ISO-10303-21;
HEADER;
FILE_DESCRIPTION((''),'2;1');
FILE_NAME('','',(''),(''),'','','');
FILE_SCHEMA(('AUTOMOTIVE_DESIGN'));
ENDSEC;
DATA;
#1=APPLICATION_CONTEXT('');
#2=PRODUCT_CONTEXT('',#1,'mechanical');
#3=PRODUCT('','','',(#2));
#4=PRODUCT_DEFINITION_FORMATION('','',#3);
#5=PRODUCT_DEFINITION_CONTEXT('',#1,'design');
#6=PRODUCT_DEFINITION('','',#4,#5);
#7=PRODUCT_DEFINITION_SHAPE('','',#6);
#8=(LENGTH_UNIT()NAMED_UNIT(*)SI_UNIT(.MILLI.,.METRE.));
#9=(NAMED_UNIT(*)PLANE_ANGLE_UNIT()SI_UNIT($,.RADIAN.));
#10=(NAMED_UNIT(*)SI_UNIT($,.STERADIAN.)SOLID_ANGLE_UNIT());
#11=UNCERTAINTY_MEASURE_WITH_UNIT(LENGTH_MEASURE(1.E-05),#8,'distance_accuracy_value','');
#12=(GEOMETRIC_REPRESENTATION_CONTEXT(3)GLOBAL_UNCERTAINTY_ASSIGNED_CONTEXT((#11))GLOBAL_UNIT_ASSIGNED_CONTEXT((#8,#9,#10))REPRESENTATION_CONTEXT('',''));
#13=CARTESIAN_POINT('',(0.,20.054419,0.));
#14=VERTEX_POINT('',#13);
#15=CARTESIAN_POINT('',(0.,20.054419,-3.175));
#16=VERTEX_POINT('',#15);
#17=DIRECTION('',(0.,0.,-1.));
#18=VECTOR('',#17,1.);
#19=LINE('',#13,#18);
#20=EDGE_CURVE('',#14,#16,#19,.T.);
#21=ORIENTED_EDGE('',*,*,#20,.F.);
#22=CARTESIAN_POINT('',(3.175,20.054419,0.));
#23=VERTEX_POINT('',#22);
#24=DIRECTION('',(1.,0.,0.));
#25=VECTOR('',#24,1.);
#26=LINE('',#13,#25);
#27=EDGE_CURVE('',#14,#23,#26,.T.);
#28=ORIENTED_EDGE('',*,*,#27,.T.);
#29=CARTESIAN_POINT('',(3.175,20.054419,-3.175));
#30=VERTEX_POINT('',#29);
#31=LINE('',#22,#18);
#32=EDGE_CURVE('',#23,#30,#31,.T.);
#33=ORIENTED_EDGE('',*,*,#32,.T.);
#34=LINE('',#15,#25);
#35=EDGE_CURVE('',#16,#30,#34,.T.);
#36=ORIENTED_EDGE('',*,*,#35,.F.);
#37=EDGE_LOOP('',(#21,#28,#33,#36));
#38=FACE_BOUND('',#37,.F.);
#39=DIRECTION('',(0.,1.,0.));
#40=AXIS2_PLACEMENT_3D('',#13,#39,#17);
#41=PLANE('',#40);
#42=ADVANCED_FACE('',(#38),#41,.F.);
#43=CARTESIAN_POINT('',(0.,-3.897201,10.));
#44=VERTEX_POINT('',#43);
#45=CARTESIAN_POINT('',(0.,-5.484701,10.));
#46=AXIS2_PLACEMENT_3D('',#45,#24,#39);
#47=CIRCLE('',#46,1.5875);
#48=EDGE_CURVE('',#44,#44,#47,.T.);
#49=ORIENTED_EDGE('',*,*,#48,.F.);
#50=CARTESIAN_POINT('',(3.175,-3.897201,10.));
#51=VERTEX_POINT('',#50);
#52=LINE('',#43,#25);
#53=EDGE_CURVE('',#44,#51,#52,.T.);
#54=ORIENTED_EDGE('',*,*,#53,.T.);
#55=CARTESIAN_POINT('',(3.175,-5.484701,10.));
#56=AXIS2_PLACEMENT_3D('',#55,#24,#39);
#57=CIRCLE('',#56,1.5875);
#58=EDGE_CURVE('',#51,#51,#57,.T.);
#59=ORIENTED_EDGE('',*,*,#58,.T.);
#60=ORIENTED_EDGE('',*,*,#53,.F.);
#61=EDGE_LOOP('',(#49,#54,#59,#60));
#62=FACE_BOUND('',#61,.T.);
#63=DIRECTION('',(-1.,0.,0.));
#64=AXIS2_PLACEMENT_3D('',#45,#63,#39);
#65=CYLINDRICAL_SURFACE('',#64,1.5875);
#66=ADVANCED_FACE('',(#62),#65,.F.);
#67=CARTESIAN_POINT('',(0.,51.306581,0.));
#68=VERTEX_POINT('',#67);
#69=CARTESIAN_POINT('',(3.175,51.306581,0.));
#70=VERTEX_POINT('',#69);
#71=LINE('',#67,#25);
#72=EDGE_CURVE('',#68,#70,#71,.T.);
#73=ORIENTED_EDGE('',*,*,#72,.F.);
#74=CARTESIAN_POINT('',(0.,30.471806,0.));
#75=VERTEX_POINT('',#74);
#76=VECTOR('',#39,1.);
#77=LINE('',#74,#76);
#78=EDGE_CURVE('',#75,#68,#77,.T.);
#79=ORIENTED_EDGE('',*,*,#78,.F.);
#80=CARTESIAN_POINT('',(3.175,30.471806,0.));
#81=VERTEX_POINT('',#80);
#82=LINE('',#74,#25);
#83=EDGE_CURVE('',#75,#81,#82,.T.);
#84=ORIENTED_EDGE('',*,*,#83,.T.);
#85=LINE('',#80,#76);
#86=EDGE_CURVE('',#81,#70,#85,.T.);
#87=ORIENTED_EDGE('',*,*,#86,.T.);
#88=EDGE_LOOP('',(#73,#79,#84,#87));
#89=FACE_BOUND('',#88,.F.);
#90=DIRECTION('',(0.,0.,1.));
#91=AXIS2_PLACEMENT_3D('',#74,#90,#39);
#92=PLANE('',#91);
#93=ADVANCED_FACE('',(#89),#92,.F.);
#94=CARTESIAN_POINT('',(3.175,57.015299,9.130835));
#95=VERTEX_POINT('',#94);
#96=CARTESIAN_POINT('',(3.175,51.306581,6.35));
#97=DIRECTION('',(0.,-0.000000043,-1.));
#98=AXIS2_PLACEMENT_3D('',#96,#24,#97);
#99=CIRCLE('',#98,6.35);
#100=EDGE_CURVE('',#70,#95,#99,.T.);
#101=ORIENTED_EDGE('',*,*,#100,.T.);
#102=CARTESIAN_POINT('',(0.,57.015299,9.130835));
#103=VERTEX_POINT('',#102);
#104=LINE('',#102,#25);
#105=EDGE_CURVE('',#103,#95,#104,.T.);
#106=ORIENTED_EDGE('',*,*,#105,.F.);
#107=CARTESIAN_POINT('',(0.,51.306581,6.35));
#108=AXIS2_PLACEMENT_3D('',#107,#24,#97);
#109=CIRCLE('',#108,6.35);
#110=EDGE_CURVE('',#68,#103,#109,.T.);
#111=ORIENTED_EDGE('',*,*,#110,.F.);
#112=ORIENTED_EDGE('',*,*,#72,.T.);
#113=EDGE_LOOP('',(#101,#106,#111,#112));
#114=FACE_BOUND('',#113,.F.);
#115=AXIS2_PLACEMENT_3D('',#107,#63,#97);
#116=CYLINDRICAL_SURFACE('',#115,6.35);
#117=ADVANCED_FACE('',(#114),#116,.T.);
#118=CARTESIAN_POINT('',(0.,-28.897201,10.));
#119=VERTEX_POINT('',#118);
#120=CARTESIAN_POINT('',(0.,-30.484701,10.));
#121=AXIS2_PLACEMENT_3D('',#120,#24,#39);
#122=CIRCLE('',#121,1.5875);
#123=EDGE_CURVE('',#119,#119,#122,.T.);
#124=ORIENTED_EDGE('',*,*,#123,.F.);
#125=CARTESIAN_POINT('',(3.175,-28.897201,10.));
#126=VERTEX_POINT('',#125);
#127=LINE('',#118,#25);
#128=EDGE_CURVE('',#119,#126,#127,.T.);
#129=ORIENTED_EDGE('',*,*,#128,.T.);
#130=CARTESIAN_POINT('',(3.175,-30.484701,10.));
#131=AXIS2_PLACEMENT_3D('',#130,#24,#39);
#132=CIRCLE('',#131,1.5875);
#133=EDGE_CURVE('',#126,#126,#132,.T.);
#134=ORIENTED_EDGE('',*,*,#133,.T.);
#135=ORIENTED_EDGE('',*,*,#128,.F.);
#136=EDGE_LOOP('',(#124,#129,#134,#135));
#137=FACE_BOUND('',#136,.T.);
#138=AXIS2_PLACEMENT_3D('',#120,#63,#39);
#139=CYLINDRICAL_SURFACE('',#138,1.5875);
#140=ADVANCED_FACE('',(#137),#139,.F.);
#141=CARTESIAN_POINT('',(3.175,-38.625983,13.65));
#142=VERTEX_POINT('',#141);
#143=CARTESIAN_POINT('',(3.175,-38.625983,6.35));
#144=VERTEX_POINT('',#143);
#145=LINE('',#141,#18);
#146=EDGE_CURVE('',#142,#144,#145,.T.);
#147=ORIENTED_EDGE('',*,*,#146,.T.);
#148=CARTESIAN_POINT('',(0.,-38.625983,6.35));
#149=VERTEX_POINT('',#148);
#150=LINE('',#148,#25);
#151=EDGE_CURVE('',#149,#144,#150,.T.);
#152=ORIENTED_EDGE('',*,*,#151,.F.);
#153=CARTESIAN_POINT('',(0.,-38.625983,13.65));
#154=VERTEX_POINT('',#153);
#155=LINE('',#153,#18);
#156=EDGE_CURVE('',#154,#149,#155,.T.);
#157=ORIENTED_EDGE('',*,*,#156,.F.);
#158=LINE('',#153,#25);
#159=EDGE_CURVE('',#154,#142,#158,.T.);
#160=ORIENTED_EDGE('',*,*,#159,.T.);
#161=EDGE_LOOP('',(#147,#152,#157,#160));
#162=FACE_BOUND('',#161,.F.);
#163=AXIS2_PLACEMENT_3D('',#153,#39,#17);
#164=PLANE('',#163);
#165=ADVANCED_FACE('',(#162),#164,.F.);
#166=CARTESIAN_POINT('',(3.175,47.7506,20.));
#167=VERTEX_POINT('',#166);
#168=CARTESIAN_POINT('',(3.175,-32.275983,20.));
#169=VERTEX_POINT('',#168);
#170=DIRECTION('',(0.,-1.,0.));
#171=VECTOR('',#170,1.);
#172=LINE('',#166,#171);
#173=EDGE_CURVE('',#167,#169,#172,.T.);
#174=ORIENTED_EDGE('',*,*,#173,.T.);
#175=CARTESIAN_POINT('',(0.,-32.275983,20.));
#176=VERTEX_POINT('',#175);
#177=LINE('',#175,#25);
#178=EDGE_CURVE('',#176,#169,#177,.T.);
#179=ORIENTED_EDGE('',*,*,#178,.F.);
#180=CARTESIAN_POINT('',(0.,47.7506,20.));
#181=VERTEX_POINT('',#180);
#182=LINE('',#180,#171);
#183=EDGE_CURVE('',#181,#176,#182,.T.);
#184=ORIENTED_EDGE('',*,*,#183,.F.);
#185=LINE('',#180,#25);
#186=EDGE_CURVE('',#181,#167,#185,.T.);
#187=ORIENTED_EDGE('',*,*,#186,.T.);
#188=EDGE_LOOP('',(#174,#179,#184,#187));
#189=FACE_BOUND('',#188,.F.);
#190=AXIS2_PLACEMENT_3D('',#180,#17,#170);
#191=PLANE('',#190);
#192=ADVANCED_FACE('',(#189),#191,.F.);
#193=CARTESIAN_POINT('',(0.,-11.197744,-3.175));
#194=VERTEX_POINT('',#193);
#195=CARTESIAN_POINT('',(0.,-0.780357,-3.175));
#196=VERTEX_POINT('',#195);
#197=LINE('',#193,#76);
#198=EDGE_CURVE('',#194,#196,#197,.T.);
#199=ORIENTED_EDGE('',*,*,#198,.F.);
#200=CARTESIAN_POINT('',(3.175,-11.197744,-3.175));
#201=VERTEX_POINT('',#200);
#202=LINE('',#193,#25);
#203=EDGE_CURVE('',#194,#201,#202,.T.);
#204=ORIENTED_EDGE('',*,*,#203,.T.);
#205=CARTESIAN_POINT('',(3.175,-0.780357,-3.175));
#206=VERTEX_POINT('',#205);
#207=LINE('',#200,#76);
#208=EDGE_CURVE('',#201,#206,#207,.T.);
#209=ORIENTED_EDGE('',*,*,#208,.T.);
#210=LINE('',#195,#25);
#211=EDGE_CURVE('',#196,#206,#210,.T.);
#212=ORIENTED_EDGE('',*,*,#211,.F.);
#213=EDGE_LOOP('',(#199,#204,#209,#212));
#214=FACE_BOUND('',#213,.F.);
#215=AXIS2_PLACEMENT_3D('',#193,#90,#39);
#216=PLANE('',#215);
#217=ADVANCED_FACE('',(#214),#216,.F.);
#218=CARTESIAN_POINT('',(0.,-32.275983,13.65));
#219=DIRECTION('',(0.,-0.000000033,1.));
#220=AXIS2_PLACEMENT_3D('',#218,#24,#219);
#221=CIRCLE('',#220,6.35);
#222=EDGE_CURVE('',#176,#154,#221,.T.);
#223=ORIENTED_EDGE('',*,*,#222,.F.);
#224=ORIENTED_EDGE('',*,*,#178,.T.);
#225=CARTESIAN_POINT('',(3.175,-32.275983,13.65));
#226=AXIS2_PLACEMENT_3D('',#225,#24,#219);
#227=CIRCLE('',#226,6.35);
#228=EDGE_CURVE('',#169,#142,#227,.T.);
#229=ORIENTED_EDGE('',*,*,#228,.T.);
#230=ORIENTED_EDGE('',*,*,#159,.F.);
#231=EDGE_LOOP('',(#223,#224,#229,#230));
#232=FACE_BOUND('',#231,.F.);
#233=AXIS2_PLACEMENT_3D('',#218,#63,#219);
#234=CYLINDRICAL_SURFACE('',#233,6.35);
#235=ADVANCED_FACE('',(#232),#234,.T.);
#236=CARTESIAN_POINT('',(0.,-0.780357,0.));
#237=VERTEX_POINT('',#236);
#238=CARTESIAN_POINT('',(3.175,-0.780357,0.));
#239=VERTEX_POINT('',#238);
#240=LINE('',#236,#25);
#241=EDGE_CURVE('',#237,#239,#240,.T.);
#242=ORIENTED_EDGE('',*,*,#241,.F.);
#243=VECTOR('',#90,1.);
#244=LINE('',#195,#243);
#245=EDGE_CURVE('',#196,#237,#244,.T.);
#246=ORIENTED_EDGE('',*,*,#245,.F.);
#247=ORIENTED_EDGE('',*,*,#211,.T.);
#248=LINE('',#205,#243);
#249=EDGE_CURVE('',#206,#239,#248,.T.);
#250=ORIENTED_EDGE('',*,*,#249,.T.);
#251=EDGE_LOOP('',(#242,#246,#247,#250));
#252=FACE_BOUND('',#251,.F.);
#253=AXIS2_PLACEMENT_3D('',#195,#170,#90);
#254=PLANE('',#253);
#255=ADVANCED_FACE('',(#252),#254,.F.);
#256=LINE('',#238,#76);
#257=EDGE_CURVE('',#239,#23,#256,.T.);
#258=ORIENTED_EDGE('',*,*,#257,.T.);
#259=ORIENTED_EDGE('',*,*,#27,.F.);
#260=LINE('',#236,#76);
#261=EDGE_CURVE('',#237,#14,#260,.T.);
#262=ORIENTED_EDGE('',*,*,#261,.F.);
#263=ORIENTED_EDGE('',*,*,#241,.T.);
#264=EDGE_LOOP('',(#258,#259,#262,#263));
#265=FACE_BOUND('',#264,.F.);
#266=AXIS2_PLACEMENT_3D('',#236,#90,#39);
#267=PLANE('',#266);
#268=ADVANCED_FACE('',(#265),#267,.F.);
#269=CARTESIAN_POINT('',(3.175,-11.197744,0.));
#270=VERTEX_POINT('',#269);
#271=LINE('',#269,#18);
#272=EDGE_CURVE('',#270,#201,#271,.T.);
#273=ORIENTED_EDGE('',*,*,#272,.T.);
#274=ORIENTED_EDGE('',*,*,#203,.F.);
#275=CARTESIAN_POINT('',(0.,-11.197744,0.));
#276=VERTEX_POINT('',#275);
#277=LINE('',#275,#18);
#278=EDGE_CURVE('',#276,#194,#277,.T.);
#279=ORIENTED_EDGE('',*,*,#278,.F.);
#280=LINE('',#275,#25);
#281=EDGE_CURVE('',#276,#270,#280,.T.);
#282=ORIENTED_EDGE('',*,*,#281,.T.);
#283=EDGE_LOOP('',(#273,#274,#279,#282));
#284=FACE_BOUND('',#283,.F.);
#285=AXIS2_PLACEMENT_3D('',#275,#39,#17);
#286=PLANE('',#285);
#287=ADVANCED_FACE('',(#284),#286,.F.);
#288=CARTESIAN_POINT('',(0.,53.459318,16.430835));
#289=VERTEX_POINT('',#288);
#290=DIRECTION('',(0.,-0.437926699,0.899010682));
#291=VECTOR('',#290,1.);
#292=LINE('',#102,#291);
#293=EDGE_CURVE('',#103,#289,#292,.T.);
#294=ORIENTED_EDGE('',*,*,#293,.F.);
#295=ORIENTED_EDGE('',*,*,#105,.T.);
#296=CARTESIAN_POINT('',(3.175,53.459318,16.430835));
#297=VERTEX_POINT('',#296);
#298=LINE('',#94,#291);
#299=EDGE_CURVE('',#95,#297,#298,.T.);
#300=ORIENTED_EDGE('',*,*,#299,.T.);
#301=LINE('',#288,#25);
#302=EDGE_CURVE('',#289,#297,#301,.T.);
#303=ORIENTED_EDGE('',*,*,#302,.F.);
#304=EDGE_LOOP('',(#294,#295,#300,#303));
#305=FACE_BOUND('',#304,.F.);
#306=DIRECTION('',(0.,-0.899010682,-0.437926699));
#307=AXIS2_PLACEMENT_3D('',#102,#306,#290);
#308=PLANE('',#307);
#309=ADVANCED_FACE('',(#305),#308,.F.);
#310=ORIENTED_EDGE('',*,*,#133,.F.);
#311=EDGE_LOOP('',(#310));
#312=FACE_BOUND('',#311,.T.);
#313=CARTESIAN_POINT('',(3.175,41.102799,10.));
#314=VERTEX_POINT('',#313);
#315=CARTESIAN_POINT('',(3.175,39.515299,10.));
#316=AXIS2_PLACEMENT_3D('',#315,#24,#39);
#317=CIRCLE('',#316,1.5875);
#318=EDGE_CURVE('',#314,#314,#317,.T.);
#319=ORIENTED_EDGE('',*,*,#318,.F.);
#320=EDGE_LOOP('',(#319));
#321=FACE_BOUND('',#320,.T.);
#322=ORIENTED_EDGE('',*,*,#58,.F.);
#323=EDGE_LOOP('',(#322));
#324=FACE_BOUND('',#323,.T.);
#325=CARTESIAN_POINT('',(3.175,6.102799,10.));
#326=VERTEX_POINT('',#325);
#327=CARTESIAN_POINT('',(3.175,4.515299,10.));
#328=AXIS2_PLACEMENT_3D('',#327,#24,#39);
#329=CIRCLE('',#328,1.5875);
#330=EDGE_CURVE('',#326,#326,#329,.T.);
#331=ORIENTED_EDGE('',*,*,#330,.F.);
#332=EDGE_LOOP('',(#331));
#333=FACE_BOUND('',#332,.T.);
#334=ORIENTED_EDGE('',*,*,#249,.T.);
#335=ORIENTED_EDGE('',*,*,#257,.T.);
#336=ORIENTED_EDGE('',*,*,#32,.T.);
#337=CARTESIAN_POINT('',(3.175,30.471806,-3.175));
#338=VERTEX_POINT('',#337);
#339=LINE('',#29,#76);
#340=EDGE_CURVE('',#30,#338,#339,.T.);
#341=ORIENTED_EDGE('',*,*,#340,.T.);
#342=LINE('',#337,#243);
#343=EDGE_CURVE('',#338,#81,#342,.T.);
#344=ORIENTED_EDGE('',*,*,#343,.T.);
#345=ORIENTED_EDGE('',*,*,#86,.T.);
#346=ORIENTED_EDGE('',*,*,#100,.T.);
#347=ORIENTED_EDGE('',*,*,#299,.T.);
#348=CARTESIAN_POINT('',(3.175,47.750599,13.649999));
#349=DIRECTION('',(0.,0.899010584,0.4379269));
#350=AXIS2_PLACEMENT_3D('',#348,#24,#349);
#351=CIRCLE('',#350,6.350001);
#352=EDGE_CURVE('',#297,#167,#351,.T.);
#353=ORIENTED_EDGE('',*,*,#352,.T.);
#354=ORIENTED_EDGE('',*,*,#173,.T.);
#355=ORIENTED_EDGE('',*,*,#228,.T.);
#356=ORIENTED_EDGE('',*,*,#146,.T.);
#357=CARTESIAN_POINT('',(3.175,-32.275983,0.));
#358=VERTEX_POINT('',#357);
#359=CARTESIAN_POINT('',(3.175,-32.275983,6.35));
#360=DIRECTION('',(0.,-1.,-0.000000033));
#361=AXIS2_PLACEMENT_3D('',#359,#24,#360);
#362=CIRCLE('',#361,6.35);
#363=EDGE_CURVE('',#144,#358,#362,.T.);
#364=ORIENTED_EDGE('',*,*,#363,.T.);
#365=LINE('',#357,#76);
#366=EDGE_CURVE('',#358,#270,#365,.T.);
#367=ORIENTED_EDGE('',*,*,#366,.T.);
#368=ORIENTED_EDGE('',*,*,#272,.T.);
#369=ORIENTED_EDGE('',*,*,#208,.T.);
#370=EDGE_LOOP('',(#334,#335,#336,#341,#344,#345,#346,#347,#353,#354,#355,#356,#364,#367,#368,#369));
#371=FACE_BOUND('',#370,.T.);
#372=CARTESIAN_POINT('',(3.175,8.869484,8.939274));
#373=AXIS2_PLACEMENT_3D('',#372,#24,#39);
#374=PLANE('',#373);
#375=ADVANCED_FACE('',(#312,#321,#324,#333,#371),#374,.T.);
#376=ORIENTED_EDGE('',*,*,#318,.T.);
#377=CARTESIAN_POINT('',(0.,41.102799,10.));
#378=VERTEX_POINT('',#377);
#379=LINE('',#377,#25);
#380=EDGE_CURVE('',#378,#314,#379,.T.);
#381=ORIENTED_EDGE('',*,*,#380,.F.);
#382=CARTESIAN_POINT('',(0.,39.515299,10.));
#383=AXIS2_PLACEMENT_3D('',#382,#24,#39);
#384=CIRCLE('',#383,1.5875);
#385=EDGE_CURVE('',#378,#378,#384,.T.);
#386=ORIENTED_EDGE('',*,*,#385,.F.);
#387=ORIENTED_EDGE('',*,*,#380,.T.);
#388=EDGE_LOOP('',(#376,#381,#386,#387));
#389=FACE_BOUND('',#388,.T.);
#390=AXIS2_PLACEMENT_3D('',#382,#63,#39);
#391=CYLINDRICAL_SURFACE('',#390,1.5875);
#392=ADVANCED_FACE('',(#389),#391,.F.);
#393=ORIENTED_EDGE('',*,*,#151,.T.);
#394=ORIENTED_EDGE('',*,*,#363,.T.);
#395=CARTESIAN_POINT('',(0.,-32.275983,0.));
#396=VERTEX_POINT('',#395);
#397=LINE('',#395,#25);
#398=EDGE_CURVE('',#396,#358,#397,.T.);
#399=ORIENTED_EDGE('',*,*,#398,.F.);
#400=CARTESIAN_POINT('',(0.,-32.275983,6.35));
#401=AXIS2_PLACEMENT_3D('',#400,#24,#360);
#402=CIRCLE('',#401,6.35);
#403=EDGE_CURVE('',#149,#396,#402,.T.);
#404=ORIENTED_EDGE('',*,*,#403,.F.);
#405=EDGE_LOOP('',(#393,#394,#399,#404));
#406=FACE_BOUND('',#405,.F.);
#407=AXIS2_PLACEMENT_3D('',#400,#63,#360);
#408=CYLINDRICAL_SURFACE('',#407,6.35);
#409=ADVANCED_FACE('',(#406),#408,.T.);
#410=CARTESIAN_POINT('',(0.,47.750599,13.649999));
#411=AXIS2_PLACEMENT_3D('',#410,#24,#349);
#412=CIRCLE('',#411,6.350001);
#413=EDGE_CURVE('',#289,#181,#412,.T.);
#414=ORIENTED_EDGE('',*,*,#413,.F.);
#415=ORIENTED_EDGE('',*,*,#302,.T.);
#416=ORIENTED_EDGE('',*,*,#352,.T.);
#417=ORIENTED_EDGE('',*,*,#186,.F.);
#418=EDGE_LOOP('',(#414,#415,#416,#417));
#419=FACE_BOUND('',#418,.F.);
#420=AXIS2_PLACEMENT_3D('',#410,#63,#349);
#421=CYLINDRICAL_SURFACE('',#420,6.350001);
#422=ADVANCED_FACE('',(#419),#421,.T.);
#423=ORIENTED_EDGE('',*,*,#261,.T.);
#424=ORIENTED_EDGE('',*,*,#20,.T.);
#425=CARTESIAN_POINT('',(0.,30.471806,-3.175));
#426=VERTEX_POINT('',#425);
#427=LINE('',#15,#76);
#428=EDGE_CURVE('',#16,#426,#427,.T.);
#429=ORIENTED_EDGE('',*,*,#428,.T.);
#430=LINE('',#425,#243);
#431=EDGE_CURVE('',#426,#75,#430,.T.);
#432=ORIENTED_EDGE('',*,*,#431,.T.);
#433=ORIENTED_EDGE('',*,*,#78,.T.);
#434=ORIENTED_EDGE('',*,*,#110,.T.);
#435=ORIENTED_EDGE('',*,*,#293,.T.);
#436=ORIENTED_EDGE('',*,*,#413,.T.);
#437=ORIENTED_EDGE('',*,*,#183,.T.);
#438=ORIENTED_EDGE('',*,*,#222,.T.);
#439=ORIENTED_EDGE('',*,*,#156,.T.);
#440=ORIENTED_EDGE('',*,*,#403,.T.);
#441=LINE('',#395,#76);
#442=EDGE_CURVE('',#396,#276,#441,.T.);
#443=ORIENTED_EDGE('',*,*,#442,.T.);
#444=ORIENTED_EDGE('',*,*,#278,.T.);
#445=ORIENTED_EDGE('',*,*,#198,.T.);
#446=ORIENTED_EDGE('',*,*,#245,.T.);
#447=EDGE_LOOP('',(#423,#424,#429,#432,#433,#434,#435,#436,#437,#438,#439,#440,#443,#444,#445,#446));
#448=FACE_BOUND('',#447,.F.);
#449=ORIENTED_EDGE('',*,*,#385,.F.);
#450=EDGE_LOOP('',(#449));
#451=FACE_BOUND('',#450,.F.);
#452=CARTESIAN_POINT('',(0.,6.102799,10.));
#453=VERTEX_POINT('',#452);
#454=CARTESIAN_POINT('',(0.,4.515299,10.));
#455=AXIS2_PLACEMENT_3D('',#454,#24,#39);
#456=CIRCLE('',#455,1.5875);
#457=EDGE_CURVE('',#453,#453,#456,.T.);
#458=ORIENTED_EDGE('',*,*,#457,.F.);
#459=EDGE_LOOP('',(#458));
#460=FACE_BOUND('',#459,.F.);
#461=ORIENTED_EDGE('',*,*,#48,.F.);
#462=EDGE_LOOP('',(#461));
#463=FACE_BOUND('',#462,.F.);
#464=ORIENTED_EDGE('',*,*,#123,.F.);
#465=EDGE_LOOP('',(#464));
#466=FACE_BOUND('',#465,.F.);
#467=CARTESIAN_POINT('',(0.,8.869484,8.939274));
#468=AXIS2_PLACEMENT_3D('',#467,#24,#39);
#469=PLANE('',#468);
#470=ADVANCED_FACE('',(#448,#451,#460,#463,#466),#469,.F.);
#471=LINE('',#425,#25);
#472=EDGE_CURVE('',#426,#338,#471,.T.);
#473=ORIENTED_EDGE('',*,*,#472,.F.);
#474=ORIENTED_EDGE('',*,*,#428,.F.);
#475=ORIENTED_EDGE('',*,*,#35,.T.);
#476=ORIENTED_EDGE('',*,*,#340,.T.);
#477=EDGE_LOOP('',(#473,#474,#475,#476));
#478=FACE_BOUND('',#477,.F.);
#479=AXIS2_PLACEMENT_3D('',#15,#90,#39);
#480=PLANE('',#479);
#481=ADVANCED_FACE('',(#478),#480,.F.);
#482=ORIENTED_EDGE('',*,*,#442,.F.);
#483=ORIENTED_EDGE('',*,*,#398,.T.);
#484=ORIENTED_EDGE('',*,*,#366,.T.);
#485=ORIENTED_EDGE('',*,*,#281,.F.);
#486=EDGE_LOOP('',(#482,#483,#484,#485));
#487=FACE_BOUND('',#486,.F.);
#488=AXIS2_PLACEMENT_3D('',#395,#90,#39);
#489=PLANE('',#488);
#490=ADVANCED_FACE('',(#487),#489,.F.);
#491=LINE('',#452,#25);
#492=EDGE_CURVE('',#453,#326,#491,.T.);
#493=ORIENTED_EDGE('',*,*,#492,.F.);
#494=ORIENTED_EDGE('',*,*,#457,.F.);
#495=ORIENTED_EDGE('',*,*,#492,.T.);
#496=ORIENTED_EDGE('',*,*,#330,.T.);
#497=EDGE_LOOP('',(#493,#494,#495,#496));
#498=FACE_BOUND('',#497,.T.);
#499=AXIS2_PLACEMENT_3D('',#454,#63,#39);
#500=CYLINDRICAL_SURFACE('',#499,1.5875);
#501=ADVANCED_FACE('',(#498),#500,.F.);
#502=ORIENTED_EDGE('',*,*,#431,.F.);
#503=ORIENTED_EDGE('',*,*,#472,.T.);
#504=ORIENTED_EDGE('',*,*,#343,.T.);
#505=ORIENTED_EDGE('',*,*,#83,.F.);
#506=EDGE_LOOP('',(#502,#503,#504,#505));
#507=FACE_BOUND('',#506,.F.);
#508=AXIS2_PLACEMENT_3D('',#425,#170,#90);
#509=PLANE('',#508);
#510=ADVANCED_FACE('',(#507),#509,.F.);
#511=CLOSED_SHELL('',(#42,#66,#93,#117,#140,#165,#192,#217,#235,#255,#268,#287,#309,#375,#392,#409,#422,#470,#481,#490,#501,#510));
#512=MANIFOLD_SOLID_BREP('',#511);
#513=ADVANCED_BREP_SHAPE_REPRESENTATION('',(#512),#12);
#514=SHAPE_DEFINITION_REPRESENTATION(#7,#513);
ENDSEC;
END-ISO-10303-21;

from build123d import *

# Parameters (mm, degrees)
F0_R     = 1.5875
F1_DEPTH = 3.175


with BuildPart() as f1:
    # F0 (on Right) → F1 (new body)
    with BuildSketch(Plane.YZ):
        with BuildLine():
            ThreePointArc((-38.625983, 6.35), (-36.766111, 1.859872), (-32.275983, 0))
            Line((-32.275983, 0), (-32.032519, 0))
            Line((-32.032519, 0), (-11.197744, 0))
            Line((-11.197744, 0), (-11.197744, -3.175))
            Line((-11.197744, -3.175), (-0.780357, -3.175))
            Line((-0.780357, -3.175), (-0.780357, 0))
            Line((-0.780357, 0), (20.054419, 0))
            Line((20.054419, 0), (20.054419, -3.175))
            Line((20.054419, -3.175), (30.471806, -3.175))
            Line((30.471806, -3.175), (30.471806, 0))
            Line((30.471806, 0), (51.306581, 0))
            ThreePointArc((51.306581, 0), (56.690855, 2.983682), (57.015299, 9.130835))
            Line((57.015299, 9.130835), (53.459318, 16.430835))
            ThreePointArc((53.459318, 16.430835), (51.116919, 19.034273), (47.7506, 20))
            Line((47.7506, 20), (-28.720002, 20))
            Line((-28.720002, 20), (-32.275983, 20))
            ThreePointArc((-32.275983, 20), (-36.766111, 18.140128), (-38.625983, 13.65))
            Line((-38.625983, 13.65), (-38.625983, 6.35))
        make_face()
        with Locations((-30.484701, 10)):
            Circle(F0_R, mode=Mode.SUBTRACT)
        with Locations((-5.484701, 10)):
            Circle(F0_R, mode=Mode.SUBTRACT)
        with Locations((4.515299, 10)):
            Circle(F0_R, mode=Mode.SUBTRACT)
        with Locations((39.515299, 10)):
            Circle(F0_R, mode=Mode.SUBTRACT)
    extrude(amount=F1_DEPTH)


solid = f1.part
